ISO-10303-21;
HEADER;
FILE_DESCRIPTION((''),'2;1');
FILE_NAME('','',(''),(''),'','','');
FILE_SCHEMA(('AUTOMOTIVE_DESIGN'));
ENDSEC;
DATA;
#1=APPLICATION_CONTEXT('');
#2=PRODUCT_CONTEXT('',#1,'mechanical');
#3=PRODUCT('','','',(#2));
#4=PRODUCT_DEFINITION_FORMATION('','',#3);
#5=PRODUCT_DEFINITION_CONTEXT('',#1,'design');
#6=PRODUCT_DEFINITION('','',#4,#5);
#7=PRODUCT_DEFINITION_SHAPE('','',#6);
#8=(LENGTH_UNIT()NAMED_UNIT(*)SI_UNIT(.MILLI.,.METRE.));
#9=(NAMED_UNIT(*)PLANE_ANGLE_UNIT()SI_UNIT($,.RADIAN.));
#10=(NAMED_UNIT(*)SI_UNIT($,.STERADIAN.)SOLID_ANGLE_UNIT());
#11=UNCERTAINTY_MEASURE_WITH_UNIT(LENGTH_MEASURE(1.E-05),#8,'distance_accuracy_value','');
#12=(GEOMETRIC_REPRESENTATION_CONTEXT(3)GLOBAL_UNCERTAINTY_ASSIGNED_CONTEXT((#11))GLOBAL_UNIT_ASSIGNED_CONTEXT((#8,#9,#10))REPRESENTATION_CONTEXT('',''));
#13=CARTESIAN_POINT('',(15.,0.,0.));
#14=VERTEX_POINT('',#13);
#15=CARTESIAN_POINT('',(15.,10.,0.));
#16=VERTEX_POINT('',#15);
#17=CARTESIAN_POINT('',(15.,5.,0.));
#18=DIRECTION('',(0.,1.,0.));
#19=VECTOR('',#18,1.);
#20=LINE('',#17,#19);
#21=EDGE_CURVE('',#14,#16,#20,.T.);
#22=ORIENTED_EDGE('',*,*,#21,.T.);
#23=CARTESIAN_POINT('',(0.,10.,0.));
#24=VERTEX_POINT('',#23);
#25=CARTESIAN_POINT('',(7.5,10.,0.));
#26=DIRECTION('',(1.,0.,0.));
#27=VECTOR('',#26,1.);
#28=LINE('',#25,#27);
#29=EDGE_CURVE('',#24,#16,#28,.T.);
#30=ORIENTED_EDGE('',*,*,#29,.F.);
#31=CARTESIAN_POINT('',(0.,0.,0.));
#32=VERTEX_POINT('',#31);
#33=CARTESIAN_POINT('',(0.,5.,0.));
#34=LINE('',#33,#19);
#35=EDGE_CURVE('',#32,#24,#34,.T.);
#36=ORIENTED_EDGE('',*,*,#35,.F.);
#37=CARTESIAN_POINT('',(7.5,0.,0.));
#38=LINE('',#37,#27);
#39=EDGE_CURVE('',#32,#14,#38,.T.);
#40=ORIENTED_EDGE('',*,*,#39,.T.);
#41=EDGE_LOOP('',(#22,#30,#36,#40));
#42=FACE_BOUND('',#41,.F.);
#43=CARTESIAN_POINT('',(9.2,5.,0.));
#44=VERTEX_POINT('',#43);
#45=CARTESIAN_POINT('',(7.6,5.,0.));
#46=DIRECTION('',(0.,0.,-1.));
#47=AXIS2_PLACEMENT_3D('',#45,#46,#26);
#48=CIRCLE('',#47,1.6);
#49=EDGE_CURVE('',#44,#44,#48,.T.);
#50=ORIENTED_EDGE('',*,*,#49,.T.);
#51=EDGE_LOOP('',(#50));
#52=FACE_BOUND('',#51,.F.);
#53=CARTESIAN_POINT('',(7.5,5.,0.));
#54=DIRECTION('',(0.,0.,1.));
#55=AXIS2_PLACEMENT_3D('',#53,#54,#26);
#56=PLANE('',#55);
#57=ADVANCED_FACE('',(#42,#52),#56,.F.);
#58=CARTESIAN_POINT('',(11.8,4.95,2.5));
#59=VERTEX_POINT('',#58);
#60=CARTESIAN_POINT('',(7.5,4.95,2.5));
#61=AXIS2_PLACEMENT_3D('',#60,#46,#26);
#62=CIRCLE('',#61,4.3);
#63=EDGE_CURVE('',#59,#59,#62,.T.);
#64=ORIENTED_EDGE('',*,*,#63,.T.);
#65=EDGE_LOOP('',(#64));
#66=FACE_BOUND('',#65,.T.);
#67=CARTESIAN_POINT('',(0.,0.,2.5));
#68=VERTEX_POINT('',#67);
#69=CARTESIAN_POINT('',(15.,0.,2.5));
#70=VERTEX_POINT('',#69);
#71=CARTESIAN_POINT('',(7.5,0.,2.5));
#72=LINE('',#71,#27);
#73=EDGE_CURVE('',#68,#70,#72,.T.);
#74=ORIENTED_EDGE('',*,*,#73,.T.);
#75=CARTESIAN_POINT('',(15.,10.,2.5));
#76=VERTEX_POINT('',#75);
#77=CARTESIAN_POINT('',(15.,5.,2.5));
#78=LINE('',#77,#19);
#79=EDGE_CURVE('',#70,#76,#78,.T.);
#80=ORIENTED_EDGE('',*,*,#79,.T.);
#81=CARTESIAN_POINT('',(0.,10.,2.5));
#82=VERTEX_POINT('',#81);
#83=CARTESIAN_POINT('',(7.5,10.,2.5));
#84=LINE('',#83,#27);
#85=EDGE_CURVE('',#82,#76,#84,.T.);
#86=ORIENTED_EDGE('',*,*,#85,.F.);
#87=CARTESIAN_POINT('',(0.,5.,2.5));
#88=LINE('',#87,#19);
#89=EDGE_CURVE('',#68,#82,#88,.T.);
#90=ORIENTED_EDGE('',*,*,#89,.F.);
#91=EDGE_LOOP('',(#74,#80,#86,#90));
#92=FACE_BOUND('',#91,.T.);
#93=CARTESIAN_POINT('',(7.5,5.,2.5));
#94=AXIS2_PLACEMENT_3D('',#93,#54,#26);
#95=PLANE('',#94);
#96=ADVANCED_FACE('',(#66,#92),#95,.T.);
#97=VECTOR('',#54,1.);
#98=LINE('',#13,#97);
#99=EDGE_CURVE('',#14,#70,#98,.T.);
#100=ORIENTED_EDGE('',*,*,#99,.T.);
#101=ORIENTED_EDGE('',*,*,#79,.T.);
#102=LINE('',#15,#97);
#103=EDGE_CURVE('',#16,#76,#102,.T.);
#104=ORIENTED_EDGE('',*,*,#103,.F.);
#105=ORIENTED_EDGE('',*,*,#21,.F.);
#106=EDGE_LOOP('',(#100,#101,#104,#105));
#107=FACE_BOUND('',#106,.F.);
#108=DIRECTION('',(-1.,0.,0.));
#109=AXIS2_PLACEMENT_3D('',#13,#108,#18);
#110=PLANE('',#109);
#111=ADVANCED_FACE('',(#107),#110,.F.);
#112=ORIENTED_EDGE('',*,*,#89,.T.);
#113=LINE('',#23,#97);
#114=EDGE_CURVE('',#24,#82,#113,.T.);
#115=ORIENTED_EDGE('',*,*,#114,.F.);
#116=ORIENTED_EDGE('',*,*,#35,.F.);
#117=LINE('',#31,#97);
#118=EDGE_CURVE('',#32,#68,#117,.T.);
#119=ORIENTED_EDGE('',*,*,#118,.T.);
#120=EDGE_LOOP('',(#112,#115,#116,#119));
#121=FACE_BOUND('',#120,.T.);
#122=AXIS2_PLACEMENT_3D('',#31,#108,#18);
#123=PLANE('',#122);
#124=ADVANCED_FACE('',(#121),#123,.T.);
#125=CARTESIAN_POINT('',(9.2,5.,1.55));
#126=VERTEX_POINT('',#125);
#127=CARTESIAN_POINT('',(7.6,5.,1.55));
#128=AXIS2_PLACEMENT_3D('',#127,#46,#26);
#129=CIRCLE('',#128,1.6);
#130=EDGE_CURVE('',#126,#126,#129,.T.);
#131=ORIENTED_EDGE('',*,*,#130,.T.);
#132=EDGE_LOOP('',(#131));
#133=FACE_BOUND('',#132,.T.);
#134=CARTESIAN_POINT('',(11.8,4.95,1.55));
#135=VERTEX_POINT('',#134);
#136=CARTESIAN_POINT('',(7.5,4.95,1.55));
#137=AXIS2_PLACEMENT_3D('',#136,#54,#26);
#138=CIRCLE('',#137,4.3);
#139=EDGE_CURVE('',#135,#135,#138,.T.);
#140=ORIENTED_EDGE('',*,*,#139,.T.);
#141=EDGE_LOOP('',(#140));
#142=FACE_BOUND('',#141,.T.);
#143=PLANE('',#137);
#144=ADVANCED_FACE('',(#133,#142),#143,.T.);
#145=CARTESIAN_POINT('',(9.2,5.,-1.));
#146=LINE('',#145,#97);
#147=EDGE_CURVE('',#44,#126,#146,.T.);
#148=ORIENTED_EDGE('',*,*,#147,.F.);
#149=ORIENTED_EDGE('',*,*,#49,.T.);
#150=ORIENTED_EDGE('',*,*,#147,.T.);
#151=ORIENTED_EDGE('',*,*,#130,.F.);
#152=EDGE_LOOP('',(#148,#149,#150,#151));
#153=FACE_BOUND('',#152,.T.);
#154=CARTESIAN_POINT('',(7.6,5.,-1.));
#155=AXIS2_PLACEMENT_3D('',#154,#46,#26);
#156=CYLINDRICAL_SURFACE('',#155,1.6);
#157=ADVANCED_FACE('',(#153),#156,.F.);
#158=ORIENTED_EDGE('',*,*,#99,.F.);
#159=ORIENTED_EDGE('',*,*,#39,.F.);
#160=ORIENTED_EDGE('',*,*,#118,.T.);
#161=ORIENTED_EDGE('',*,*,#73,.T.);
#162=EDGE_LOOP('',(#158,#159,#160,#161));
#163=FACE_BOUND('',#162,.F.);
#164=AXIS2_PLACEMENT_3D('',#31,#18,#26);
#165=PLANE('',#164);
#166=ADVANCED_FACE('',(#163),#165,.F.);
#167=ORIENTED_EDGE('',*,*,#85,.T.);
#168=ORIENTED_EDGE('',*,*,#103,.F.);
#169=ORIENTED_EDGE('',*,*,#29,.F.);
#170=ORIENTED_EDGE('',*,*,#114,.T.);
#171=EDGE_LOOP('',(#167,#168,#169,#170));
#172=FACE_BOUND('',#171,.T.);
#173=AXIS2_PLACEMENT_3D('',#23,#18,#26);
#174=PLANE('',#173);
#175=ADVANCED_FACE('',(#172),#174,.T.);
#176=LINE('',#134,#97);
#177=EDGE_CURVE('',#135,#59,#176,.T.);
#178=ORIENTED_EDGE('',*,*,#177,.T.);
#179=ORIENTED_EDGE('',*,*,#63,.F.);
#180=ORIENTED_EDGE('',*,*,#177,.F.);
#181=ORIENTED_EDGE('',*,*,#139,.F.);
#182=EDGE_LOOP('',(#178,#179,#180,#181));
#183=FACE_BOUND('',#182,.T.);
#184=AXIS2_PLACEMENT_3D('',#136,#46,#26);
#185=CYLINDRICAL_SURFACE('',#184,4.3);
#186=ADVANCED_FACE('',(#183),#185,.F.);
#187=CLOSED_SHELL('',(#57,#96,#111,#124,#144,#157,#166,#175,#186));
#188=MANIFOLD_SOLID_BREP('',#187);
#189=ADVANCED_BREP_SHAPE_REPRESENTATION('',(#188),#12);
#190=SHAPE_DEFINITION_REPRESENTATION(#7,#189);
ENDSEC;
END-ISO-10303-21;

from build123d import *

# Parameters (mm, degrees)
CYLINDER001_R     = 1.6
CYLINDER001_DEPTH = 5
CYLINDER_R        = 4.3
CYLINDER_DEPTH    = 1.55
BOX_W             = 15
BOX_H             = 10
BOX_DEPTH         = 2.5


with BuildPart() as cylinder001:
    # Cylinder001 → Cylinder001 (new body)
    with BuildSketch(Plane(origin=(7.6, 5, -1), x_dir=(1, 0, 0), z_dir=(0, 0, 1))):
        Circle(CYLINDER001_R)
    extrude(amount=CYLINDER001_DEPTH)


with BuildPart() as fusion:
    # Cylinder → Cylinder (new body)
    with BuildSketch(Plane(origin=(7.5, 4.95, 1.55), x_dir=(1, 0, 0), z_dir=(0, 0, 1))):
        Circle(CYLINDER_R)
    extrude(amount=CYLINDER_DEPTH)

    # Fusion: union Cylinder001
    add(cylinder001.part)


with BuildPart() as cut:
    # Box → Box (new body)
    with BuildSketch(Plane.XY):
        with Locations((7.5, 5)):
            Rectangle(BOX_W, BOX_H)
    extrude(amount=BOX_DEPTH)

    # Cut: cut Fusion
    add(fusion.part, mode=Mode.SUBTRACT)


solid = cut.part
